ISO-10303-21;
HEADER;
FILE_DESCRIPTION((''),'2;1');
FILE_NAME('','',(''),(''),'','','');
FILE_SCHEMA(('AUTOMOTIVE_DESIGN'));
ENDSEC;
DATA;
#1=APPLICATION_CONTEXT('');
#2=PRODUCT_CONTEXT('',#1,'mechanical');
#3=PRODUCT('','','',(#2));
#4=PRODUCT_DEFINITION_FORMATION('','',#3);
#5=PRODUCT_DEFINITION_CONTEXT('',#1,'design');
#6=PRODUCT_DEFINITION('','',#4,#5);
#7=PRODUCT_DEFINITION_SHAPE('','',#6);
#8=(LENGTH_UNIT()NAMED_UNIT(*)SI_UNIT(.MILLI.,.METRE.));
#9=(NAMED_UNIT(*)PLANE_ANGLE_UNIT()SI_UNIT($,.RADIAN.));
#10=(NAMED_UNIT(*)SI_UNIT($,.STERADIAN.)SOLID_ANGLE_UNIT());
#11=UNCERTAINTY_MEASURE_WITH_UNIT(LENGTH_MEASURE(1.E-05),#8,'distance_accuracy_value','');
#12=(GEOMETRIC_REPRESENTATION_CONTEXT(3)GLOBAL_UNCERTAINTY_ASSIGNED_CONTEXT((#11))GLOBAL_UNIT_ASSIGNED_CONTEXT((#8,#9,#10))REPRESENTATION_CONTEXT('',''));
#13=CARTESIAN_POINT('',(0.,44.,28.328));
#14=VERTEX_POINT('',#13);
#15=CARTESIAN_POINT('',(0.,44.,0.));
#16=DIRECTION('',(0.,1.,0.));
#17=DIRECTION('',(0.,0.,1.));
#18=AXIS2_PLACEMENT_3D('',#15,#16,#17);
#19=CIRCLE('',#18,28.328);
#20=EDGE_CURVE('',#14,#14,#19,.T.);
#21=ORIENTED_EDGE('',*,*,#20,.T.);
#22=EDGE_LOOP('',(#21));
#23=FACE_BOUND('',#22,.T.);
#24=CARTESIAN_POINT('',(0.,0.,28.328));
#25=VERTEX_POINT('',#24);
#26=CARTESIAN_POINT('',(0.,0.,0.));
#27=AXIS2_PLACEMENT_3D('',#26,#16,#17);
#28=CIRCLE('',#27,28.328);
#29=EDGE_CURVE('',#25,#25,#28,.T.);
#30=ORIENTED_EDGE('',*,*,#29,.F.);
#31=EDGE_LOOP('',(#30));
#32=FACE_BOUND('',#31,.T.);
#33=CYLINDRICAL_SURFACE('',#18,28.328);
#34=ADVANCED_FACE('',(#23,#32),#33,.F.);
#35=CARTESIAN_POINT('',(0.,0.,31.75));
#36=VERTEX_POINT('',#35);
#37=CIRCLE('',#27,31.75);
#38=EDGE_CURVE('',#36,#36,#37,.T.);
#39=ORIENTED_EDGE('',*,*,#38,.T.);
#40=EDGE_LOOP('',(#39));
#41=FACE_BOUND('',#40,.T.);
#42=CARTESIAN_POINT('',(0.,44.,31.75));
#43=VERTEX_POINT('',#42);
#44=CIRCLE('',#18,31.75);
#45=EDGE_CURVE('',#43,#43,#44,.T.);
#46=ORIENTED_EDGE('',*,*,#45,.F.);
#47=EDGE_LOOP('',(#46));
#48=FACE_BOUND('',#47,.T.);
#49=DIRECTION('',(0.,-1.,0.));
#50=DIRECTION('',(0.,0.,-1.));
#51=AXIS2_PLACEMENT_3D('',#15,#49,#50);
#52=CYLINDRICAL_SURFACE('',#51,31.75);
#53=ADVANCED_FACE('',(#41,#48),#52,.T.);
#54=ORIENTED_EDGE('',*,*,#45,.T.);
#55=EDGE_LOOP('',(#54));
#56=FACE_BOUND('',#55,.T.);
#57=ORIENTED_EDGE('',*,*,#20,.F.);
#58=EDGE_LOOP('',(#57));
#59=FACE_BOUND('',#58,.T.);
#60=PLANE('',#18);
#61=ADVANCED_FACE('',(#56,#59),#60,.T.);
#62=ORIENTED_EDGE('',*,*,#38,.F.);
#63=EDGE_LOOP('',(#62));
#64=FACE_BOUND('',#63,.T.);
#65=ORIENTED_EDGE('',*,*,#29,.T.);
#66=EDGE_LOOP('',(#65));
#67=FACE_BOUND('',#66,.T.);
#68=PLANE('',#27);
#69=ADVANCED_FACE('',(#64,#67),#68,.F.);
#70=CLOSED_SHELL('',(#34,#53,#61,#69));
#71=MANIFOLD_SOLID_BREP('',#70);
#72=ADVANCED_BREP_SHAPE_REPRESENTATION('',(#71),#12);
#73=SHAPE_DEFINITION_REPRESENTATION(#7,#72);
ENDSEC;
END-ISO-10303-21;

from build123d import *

# Parameters (mm, degrees)
SKETCH1_R           = 31.75
BOSS_EXTRUDE1_DEPTH = 44
G2_TAPPED_HOLE1_D   = 56.656


with BuildPart() as part:
    # Sketch1 → Boss-Extrude1 (new body)
    with BuildSketch(Plane(origin=(0, 0, 0), x_dir=(1, 0, 0), z_dir=(0, 1, 0))):
        Circle(SKETCH1_R)
    extrude(amount=BOSS_EXTRUDE1_DEPTH)

    # G2 Tapped Hole1 (through all)
    with Locations(Plane(origin=(0, 44, 0), x_dir=(1, 0, 0), z_dir=(0, 1, 0))):
        with Locations((0, 0)):
            Hole(G2_TAPPED_HOLE1_D / 2)


solid = part.part
